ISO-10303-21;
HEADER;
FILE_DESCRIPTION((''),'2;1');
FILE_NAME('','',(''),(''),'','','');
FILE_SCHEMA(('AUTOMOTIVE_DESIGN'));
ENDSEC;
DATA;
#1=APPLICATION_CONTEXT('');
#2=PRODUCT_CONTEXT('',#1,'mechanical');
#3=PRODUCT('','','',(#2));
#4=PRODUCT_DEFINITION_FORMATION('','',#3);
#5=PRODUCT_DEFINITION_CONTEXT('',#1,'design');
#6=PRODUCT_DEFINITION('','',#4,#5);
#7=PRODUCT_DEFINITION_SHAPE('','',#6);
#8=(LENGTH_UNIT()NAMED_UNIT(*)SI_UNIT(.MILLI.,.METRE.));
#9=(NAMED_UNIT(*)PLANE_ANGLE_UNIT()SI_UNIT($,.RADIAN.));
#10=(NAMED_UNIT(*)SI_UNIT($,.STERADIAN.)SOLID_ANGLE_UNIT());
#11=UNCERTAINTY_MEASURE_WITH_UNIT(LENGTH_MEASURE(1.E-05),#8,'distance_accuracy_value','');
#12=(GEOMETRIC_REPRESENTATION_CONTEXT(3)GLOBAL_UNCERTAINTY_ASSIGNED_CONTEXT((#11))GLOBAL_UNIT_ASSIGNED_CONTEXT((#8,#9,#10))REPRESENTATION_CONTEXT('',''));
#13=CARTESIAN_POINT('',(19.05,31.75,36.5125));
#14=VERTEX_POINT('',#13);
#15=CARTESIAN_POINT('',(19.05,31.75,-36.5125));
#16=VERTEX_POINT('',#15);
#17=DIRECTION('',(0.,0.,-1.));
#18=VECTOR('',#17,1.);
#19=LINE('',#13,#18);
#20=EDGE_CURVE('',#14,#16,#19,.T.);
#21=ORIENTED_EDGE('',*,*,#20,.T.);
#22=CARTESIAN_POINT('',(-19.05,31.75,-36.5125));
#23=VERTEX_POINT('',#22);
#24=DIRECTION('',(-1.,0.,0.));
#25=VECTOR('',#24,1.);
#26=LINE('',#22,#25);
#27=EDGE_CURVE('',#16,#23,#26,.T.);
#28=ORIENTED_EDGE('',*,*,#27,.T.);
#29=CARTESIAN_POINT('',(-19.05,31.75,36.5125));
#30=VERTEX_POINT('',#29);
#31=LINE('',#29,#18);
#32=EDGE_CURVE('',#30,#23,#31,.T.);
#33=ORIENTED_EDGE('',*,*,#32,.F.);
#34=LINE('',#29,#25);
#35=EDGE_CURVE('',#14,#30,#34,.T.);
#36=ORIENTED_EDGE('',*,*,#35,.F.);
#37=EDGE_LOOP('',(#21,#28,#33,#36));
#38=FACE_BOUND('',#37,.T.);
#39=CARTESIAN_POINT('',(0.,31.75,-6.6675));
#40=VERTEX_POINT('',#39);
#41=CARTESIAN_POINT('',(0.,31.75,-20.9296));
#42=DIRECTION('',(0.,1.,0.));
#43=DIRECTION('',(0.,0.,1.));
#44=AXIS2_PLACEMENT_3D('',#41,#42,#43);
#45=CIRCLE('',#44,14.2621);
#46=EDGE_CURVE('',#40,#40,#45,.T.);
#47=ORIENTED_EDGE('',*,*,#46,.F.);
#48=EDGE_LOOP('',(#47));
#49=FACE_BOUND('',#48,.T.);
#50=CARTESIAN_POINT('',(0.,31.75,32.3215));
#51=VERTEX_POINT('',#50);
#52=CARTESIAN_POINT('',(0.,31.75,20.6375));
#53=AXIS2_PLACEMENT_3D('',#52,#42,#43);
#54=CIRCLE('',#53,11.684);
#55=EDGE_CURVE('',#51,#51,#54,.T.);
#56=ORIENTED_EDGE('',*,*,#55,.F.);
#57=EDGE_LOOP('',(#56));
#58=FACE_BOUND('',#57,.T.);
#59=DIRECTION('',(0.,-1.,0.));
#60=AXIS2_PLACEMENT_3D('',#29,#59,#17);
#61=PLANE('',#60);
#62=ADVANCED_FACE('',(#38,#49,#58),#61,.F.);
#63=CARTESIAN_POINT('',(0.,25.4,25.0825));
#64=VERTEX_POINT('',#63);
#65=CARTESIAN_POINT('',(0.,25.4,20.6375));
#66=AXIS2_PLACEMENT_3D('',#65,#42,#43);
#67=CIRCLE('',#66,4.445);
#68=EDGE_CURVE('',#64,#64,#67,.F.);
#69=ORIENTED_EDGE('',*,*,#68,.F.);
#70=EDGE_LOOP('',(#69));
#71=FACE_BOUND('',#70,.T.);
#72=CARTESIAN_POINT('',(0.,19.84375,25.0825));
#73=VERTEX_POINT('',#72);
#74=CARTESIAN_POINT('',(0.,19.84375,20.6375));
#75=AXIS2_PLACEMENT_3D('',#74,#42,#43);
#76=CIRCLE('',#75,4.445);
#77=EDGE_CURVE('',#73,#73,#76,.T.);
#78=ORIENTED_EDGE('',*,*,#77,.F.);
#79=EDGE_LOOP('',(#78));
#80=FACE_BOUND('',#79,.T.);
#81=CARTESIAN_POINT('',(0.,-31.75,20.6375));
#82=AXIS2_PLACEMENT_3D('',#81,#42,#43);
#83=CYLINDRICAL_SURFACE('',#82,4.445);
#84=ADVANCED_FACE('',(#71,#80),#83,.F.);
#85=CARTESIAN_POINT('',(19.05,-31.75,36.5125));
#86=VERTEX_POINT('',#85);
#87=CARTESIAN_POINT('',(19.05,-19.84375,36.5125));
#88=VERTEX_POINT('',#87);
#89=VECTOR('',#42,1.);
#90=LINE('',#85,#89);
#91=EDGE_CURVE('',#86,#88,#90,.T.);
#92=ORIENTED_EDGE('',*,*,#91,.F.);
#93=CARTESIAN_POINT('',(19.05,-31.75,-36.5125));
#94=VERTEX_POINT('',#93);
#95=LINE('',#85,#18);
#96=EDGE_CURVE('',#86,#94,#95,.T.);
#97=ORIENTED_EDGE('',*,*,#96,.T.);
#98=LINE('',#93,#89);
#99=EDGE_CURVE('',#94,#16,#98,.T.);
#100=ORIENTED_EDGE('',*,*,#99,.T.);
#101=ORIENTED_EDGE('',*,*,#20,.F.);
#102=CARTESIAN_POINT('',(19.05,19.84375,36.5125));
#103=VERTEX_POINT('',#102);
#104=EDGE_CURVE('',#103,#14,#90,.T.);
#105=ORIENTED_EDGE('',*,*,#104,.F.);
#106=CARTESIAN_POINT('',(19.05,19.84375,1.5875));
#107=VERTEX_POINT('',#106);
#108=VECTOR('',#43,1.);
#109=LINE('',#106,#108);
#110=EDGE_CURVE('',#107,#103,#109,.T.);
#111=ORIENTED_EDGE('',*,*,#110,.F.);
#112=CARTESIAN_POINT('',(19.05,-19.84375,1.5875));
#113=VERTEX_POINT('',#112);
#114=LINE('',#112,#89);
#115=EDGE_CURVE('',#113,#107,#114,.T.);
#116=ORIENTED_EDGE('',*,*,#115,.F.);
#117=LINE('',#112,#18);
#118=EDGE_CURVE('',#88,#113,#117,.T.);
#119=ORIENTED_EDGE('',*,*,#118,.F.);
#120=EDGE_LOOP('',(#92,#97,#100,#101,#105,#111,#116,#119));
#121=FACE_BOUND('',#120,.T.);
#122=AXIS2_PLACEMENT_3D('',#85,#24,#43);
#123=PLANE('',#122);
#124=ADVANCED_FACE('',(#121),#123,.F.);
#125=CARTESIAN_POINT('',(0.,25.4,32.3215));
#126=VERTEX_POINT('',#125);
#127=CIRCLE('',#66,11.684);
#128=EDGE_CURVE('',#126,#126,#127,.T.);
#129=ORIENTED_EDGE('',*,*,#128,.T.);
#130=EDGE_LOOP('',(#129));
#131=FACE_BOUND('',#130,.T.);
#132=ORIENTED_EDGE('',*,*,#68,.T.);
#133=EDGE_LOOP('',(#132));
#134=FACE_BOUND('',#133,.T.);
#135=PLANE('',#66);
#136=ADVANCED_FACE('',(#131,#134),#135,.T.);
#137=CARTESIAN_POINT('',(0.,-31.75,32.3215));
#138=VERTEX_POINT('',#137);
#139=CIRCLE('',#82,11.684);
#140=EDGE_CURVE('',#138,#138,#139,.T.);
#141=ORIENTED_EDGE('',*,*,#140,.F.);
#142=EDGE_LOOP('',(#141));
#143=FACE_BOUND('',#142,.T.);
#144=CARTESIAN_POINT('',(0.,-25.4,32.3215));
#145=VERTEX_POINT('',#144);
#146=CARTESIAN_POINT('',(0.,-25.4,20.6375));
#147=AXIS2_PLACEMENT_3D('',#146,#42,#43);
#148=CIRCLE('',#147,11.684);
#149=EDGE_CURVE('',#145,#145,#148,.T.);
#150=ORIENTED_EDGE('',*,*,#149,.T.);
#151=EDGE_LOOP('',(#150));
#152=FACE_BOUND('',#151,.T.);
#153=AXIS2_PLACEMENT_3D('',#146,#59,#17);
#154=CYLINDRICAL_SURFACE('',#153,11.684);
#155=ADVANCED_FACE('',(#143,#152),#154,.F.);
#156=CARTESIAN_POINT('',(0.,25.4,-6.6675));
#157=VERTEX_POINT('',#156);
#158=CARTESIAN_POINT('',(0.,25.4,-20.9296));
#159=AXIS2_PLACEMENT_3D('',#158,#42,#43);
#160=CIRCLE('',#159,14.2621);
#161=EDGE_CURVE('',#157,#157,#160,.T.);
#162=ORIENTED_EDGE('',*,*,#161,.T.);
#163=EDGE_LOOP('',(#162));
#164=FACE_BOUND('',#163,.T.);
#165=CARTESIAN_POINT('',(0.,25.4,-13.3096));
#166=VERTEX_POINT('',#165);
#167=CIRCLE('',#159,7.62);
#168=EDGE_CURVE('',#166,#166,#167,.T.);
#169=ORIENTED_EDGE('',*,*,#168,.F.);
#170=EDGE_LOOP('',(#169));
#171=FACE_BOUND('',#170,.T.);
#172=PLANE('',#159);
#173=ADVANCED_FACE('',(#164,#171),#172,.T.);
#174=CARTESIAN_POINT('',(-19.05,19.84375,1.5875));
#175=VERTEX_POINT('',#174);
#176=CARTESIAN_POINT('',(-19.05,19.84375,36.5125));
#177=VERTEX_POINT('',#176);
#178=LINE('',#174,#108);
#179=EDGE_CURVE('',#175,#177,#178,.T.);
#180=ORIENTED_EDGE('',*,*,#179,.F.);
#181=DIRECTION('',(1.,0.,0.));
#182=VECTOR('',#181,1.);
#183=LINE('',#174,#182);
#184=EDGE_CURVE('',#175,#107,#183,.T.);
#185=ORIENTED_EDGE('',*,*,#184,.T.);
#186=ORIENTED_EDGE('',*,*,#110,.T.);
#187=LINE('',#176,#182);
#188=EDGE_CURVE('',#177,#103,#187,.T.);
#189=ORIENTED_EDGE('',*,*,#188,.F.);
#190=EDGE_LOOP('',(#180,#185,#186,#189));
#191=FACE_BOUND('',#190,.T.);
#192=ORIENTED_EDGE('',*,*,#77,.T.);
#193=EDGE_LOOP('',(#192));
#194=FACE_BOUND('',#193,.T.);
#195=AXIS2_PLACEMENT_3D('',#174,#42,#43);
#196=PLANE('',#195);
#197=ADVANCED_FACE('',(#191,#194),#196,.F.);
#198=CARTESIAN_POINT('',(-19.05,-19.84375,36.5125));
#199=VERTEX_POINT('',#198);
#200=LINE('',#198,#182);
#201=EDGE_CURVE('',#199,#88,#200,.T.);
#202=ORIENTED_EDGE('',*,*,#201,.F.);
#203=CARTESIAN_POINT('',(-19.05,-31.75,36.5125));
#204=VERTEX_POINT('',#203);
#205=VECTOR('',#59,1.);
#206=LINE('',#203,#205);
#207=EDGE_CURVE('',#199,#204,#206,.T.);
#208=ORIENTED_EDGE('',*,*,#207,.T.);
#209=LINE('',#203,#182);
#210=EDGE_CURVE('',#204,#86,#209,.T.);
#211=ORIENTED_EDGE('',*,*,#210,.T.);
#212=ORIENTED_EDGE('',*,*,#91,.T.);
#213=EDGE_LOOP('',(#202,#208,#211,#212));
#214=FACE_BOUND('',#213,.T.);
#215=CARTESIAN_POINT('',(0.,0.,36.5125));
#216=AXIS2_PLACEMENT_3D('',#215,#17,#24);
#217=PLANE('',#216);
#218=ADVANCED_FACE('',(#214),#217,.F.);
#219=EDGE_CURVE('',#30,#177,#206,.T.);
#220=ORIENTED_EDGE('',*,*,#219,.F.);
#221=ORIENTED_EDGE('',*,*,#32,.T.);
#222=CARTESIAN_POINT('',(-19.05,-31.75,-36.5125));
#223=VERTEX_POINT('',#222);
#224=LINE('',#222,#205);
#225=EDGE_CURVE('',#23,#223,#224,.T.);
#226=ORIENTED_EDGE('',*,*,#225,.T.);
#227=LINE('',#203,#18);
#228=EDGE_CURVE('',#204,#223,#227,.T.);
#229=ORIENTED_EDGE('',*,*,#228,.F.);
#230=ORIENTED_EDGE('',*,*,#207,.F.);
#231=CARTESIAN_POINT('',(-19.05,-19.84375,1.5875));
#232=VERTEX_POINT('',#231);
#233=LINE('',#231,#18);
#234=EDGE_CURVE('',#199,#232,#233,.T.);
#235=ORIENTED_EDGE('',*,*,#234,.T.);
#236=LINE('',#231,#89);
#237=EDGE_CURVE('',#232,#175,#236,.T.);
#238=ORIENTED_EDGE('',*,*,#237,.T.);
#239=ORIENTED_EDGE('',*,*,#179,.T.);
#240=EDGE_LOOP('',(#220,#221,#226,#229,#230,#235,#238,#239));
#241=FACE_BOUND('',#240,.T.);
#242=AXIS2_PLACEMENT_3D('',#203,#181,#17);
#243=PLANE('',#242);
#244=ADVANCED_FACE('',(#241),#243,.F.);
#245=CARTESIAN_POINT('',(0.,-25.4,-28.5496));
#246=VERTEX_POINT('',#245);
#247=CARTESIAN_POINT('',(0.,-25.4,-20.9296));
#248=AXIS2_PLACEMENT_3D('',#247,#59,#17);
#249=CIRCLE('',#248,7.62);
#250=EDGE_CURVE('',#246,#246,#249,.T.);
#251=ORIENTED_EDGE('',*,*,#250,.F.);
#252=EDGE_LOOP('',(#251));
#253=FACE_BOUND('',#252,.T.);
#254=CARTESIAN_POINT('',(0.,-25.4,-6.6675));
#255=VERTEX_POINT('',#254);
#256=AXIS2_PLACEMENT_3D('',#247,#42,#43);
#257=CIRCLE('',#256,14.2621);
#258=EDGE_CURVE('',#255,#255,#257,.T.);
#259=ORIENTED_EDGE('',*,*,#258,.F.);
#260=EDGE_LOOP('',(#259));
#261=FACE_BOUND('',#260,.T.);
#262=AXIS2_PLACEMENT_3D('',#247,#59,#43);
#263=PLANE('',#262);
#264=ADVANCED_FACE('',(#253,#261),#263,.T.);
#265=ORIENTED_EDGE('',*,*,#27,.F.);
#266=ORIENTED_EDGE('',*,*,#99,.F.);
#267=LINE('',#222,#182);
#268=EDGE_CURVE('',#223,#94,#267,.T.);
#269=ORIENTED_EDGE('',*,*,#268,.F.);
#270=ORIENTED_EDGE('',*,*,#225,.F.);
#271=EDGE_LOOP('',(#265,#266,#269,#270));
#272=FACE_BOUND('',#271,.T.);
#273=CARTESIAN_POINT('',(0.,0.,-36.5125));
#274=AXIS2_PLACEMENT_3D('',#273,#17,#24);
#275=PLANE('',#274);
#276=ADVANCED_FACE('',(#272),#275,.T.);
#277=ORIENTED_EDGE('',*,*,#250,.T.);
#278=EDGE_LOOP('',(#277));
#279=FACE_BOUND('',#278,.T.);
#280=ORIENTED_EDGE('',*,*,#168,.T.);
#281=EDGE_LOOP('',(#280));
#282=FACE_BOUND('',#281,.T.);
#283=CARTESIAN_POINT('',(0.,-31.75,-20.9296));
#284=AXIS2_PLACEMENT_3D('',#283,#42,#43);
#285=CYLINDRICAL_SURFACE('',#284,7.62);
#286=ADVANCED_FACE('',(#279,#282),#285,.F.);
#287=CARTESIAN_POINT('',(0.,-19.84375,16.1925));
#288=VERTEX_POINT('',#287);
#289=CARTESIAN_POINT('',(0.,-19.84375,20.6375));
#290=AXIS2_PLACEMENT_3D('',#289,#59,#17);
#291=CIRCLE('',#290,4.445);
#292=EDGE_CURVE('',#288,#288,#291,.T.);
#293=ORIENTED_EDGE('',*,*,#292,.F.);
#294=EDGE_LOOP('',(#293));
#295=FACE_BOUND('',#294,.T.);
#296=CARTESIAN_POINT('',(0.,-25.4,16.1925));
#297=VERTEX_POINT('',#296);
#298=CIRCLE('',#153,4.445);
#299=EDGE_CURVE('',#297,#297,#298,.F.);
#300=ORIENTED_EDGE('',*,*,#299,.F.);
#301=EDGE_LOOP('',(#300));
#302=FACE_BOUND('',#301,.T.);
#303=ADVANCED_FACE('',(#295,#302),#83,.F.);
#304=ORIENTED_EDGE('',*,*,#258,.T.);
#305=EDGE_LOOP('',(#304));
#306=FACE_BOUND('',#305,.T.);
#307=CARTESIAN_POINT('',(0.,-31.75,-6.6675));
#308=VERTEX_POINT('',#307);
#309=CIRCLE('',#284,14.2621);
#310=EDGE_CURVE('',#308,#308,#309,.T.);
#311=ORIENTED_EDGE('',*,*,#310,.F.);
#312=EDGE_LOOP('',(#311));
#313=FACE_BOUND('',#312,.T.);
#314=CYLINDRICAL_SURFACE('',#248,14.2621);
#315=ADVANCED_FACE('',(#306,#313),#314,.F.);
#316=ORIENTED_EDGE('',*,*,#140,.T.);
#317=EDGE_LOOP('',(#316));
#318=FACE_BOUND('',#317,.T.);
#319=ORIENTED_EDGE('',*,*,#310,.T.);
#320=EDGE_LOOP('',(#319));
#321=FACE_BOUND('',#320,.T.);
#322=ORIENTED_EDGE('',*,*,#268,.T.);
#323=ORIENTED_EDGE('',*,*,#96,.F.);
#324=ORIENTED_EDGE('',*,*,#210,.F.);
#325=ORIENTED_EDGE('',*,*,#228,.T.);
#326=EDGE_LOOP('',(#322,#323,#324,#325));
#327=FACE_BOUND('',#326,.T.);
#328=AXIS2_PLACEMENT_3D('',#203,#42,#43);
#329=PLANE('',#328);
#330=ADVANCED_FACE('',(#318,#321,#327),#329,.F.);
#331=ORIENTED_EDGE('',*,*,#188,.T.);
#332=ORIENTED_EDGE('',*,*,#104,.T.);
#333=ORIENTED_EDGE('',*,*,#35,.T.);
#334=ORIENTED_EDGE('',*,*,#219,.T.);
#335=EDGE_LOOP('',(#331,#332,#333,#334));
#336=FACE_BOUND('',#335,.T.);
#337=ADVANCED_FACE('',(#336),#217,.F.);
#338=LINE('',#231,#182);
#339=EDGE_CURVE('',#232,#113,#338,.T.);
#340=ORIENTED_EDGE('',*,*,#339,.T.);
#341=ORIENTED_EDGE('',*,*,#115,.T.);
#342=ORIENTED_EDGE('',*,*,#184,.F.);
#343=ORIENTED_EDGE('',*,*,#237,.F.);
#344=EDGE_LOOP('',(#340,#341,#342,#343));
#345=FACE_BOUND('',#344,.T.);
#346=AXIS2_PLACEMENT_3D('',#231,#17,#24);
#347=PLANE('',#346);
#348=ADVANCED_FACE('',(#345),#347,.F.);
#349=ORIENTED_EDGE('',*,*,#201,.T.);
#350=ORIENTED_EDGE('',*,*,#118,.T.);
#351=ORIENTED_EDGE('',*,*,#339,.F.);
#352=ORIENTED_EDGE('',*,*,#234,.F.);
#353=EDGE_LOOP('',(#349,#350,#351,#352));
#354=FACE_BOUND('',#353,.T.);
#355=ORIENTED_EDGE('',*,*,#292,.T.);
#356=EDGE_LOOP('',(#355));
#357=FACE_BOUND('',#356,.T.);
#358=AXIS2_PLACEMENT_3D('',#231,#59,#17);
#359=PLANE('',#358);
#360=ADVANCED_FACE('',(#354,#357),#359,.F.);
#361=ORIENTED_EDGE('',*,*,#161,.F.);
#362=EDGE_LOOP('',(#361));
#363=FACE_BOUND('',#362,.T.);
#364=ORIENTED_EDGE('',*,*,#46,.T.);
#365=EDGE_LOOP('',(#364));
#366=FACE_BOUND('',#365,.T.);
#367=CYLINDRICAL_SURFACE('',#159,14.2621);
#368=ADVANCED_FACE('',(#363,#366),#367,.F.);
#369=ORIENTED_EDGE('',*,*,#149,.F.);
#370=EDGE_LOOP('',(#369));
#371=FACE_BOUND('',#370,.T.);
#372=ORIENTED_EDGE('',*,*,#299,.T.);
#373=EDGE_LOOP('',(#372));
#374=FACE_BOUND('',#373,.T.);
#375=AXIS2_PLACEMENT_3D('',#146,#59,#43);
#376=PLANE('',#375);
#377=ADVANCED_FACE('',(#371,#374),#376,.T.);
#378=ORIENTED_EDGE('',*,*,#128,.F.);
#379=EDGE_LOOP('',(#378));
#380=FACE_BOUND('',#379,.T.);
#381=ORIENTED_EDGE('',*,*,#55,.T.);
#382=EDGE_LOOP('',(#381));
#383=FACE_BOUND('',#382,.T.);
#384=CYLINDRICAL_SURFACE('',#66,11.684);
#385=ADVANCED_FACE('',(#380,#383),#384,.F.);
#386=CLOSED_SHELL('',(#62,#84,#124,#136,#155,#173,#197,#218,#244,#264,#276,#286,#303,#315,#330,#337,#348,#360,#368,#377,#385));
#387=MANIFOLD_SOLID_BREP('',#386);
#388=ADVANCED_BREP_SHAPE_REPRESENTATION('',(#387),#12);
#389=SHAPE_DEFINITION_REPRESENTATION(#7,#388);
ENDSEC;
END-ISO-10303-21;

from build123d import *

# Parameters (mm, degrees)
SKETCH1_W           = 38.1
SKETCH1_H           = 63.5
BOSS_EXTRUDE1_DEPTH = 36.5125
SKETCH2_W           = 34.925
SKETCH2_H           = 39.6875
CUT_EXTRUDE1_DEPTH  = 62.585998054
SKETCH3_R           = 4.445
CUT_EXTRUDE2_DEPTH  = 76.685633751
SKETCH4_R           = 11.684
CUT_EXTRUDE3_DEPTH  = 6.35
SKETCH6_R           = 14.2621
CUT_EXTRUDE5_DEPTH  = 6.35
SKETCH7_R           = 7.62
CUT_EXTRUDE6_DEPTH  = 71.44279705


with BuildPart() as part:
    # Sketch1 → Boss-Extrude1 (new, symmetric)
    with BuildSketch(Plane.XY):
        Rectangle(SKETCH1_W, SKETCH1_H)
    extrude(amount=BOSS_EXTRUDE1_DEPTH, both=True)

    # Sketch2 → Cut-Extrude1 (cut, through all)
    with BuildSketch(Plane(origin=(19.05, 0, 0), x_dir=(0, 0, -1), z_dir=(1, 0, 0))):
        with Locations((-19.05, 0)):
            Rectangle(SKETCH2_W, SKETCH2_H)
    extrude(amount=-CUT_EXTRUDE1_DEPTH, mode=Mode.SUBTRACT)

    # Sketch3 → Cut-Extrude2 (cut, through all)
    with BuildSketch(Plane(origin=(0, 31.75, 0), x_dir=(1, 0, 0), z_dir=(0, 1, 0))):
        with Locations(Location((0, -20.6375, 0), (0, 0, 270))):
            Circle(SKETCH3_R)
    extrude(amount=-CUT_EXTRUDE2_DEPTH, mode=Mode.SUBTRACT)

    # Sketch4 → Cut-Extrude3 (cut)
    with BuildSketch(Plane(origin=(0, 31.75, 0), x_dir=(1, 0, 0), z_dir=(0, 1, 0))):
        with Locations(Location((0, -20.6375, 0), (0, 0, 270))):
            Circle(SKETCH4_R)
    cut_extrude3 = extrude(amount=-CUT_EXTRUDE3_DEPTH, mode=Mode.SUBTRACT)

    # Sketch6 → Cut-Extrude5 (cut)
    with BuildSketch(Plane(origin=(0, 31.75, 0), x_dir=(1, 0, 0), z_dir=(0, 1, 0))):
        with Locations(Location((0, 20.9296, 0), (0, 0, 270))):
            Circle(SKETCH6_R)
    cut_extrude5 = extrude(amount=-CUT_EXTRUDE5_DEPTH, mode=Mode.SUBTRACT)

    # Mirror1: Cut-Extrude3, Cut-Extrude5 across plane
    add(cut_extrude3.mirror(Plane.ZX), mode=Mode.SUBTRACT)
    add(cut_extrude5.mirror(Plane.ZX), mode=Mode.SUBTRACT)

    # Sketch7 → Cut-Extrude6 (cut, through all)
    with BuildSketch(Plane(origin=(0, 25.4, 0), x_dir=(1, 0, 0), z_dir=(0, 1, 0))):
        with Locations(Location((0, 20.9296, 0), (0, 0, 270))):
            Circle(SKETCH7_R)
    extrude(amount=-CUT_EXTRUDE6_DEPTH, mode=Mode.SUBTRACT)


solid = part.part
